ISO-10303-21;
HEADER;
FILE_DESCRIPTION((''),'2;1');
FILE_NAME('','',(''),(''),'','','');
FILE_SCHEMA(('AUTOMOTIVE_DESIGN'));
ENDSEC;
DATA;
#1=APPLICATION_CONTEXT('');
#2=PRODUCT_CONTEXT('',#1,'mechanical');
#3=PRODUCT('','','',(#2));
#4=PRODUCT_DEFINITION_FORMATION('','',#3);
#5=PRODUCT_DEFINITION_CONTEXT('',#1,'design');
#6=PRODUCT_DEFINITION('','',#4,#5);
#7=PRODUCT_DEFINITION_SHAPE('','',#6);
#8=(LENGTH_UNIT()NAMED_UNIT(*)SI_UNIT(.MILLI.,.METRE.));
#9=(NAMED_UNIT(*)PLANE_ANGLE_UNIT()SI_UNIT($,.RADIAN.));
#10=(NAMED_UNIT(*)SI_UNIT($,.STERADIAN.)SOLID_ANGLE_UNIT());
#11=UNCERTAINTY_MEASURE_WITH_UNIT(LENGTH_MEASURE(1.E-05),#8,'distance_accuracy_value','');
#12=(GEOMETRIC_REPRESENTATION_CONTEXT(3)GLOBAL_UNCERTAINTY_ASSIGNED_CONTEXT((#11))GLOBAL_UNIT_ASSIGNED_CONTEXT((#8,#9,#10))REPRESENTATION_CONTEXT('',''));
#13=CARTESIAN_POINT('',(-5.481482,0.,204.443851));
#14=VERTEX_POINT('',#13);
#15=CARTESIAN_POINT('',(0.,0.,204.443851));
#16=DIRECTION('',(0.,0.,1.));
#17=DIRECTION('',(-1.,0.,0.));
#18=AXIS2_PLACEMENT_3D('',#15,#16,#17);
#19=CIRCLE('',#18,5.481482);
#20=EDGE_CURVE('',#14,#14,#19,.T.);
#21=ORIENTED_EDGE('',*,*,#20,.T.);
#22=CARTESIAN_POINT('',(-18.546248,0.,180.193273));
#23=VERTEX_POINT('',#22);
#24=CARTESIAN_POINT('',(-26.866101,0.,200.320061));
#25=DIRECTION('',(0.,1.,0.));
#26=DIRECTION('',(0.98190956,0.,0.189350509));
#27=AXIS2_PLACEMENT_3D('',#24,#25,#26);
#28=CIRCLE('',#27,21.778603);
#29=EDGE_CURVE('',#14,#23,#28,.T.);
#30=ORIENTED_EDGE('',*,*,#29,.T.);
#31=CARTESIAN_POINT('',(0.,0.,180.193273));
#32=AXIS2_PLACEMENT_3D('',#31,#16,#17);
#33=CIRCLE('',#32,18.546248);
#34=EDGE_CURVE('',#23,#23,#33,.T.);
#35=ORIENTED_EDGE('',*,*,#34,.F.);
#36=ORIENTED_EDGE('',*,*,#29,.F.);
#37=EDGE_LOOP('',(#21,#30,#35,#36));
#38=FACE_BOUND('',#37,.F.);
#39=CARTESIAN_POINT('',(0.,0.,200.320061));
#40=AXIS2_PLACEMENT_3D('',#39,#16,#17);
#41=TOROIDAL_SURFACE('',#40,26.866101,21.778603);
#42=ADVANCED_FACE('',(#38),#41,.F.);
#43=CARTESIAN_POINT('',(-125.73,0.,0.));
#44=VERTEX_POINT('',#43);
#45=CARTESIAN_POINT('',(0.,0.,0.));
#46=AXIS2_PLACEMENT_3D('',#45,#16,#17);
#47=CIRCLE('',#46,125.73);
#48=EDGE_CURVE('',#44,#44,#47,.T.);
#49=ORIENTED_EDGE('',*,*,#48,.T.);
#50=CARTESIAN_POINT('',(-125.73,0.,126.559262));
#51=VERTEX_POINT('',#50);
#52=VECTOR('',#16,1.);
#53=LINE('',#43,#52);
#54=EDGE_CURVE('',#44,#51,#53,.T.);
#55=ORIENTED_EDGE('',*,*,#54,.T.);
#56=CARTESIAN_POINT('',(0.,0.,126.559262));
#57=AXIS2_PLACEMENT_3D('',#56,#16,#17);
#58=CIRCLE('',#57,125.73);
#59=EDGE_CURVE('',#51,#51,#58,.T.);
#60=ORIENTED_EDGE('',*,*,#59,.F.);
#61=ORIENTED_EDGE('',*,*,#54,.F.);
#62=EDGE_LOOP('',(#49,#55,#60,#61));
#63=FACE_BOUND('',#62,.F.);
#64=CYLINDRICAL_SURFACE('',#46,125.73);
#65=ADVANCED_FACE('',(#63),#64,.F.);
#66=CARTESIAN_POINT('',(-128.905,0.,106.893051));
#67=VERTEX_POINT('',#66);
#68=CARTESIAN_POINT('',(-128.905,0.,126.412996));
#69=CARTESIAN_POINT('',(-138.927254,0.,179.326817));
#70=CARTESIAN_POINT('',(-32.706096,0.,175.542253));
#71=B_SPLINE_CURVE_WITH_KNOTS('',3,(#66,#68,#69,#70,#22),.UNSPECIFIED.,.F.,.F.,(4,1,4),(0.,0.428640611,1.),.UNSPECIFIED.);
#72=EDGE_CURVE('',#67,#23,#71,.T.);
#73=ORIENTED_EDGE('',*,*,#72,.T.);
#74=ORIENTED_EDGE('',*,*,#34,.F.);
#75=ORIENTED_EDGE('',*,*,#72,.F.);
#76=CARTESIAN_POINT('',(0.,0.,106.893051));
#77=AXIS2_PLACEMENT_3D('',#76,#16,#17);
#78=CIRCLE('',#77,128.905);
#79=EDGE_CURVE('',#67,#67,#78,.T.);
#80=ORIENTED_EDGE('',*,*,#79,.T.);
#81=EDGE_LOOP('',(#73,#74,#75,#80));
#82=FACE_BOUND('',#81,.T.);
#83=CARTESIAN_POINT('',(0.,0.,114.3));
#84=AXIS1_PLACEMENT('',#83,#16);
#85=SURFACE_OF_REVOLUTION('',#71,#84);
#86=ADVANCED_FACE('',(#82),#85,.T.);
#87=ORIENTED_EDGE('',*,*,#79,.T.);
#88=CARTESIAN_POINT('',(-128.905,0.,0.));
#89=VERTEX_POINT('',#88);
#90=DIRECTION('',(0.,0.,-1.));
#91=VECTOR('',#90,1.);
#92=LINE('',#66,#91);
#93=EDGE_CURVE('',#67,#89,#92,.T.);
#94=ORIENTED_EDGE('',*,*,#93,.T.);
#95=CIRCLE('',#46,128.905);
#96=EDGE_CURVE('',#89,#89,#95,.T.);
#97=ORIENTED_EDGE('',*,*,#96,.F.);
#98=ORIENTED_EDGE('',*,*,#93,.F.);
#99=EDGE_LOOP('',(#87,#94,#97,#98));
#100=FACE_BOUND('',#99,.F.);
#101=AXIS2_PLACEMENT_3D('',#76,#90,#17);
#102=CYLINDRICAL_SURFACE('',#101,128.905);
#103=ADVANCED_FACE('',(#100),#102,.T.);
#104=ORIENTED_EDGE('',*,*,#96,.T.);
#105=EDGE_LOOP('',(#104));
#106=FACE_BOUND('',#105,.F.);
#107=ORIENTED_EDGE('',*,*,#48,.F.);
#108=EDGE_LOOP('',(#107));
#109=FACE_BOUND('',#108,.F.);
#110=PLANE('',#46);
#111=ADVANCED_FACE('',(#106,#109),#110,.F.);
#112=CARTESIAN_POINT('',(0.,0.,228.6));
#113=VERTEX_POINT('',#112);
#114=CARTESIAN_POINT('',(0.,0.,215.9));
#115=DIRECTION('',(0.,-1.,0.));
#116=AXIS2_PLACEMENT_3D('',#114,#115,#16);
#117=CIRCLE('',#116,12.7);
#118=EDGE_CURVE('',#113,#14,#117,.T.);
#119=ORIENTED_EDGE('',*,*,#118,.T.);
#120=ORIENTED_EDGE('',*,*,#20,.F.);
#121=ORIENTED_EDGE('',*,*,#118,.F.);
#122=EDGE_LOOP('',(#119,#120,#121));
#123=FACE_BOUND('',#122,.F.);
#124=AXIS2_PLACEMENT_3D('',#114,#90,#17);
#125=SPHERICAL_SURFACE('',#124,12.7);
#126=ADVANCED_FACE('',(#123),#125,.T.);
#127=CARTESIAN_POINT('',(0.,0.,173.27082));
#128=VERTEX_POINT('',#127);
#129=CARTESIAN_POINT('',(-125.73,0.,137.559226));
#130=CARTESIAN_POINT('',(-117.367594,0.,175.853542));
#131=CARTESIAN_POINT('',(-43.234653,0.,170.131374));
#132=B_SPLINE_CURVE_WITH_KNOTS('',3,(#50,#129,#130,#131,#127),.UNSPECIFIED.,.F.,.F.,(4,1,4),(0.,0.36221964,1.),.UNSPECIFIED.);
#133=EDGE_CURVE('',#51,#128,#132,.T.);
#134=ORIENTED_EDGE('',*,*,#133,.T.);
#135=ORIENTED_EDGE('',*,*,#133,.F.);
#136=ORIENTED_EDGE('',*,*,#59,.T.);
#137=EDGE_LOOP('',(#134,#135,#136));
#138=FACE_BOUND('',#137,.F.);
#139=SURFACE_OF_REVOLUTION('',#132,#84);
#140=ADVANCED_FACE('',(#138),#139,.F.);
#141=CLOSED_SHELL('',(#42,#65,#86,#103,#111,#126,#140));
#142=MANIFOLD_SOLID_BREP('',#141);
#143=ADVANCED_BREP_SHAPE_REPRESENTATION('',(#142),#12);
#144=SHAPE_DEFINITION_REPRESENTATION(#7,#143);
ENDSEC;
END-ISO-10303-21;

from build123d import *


with BuildPart() as f1:
    # F0 (on Front) → F1 (revolve)
    with BuildSketch(Plane.XZ):
        with BuildLine():
            Line((-128.905, 106.8930508455), (-128.905, 0))
            Line((-128.905, 0), (-125.73, 0))
            Line((-125.73, 0), (-125.73, 126.5592618573))
            add(Edge.make_bspline(
                [(-125.73, 126.5592618573), (-125.73, 137.5592263703), (-117.3675938619, 175.8535419895), (-43.2346528038, 170.1313743134), (0, 173.2708198017)],
                knots=[0, 0, 0, 0, 0.3622196404, 1, 1, 1, 1], degree=3))
            Line((0, 173.2708198017), (0, 228.6))
            ThreePointArc((0, 228.6), (-12.3851340936, 218.7104187382), (-5.4814823514, 204.4438509423))
            ThreePointArc((-5.4814823514, 204.4438509423), (-7.6929026142, 189.9906849013), (-18.546248265, 180.1932731832))
            add(Edge.make_bspline(
                [(-128.905, 106.8930508455), (-128.905, 126.4129957464), (-138.9272535609, 179.3268166787), (-32.7060964034, 175.5422530476), (-18.546248265, 180.1932731832)],
                knots=[0, 0, 0, 0, 0.4286406106, 1, 1, 1, 1], degree=3))
        make_face()
    revolve(axis=Axis((0, 0, 114.3), (0, 0, 1)))


solid = f1.part
